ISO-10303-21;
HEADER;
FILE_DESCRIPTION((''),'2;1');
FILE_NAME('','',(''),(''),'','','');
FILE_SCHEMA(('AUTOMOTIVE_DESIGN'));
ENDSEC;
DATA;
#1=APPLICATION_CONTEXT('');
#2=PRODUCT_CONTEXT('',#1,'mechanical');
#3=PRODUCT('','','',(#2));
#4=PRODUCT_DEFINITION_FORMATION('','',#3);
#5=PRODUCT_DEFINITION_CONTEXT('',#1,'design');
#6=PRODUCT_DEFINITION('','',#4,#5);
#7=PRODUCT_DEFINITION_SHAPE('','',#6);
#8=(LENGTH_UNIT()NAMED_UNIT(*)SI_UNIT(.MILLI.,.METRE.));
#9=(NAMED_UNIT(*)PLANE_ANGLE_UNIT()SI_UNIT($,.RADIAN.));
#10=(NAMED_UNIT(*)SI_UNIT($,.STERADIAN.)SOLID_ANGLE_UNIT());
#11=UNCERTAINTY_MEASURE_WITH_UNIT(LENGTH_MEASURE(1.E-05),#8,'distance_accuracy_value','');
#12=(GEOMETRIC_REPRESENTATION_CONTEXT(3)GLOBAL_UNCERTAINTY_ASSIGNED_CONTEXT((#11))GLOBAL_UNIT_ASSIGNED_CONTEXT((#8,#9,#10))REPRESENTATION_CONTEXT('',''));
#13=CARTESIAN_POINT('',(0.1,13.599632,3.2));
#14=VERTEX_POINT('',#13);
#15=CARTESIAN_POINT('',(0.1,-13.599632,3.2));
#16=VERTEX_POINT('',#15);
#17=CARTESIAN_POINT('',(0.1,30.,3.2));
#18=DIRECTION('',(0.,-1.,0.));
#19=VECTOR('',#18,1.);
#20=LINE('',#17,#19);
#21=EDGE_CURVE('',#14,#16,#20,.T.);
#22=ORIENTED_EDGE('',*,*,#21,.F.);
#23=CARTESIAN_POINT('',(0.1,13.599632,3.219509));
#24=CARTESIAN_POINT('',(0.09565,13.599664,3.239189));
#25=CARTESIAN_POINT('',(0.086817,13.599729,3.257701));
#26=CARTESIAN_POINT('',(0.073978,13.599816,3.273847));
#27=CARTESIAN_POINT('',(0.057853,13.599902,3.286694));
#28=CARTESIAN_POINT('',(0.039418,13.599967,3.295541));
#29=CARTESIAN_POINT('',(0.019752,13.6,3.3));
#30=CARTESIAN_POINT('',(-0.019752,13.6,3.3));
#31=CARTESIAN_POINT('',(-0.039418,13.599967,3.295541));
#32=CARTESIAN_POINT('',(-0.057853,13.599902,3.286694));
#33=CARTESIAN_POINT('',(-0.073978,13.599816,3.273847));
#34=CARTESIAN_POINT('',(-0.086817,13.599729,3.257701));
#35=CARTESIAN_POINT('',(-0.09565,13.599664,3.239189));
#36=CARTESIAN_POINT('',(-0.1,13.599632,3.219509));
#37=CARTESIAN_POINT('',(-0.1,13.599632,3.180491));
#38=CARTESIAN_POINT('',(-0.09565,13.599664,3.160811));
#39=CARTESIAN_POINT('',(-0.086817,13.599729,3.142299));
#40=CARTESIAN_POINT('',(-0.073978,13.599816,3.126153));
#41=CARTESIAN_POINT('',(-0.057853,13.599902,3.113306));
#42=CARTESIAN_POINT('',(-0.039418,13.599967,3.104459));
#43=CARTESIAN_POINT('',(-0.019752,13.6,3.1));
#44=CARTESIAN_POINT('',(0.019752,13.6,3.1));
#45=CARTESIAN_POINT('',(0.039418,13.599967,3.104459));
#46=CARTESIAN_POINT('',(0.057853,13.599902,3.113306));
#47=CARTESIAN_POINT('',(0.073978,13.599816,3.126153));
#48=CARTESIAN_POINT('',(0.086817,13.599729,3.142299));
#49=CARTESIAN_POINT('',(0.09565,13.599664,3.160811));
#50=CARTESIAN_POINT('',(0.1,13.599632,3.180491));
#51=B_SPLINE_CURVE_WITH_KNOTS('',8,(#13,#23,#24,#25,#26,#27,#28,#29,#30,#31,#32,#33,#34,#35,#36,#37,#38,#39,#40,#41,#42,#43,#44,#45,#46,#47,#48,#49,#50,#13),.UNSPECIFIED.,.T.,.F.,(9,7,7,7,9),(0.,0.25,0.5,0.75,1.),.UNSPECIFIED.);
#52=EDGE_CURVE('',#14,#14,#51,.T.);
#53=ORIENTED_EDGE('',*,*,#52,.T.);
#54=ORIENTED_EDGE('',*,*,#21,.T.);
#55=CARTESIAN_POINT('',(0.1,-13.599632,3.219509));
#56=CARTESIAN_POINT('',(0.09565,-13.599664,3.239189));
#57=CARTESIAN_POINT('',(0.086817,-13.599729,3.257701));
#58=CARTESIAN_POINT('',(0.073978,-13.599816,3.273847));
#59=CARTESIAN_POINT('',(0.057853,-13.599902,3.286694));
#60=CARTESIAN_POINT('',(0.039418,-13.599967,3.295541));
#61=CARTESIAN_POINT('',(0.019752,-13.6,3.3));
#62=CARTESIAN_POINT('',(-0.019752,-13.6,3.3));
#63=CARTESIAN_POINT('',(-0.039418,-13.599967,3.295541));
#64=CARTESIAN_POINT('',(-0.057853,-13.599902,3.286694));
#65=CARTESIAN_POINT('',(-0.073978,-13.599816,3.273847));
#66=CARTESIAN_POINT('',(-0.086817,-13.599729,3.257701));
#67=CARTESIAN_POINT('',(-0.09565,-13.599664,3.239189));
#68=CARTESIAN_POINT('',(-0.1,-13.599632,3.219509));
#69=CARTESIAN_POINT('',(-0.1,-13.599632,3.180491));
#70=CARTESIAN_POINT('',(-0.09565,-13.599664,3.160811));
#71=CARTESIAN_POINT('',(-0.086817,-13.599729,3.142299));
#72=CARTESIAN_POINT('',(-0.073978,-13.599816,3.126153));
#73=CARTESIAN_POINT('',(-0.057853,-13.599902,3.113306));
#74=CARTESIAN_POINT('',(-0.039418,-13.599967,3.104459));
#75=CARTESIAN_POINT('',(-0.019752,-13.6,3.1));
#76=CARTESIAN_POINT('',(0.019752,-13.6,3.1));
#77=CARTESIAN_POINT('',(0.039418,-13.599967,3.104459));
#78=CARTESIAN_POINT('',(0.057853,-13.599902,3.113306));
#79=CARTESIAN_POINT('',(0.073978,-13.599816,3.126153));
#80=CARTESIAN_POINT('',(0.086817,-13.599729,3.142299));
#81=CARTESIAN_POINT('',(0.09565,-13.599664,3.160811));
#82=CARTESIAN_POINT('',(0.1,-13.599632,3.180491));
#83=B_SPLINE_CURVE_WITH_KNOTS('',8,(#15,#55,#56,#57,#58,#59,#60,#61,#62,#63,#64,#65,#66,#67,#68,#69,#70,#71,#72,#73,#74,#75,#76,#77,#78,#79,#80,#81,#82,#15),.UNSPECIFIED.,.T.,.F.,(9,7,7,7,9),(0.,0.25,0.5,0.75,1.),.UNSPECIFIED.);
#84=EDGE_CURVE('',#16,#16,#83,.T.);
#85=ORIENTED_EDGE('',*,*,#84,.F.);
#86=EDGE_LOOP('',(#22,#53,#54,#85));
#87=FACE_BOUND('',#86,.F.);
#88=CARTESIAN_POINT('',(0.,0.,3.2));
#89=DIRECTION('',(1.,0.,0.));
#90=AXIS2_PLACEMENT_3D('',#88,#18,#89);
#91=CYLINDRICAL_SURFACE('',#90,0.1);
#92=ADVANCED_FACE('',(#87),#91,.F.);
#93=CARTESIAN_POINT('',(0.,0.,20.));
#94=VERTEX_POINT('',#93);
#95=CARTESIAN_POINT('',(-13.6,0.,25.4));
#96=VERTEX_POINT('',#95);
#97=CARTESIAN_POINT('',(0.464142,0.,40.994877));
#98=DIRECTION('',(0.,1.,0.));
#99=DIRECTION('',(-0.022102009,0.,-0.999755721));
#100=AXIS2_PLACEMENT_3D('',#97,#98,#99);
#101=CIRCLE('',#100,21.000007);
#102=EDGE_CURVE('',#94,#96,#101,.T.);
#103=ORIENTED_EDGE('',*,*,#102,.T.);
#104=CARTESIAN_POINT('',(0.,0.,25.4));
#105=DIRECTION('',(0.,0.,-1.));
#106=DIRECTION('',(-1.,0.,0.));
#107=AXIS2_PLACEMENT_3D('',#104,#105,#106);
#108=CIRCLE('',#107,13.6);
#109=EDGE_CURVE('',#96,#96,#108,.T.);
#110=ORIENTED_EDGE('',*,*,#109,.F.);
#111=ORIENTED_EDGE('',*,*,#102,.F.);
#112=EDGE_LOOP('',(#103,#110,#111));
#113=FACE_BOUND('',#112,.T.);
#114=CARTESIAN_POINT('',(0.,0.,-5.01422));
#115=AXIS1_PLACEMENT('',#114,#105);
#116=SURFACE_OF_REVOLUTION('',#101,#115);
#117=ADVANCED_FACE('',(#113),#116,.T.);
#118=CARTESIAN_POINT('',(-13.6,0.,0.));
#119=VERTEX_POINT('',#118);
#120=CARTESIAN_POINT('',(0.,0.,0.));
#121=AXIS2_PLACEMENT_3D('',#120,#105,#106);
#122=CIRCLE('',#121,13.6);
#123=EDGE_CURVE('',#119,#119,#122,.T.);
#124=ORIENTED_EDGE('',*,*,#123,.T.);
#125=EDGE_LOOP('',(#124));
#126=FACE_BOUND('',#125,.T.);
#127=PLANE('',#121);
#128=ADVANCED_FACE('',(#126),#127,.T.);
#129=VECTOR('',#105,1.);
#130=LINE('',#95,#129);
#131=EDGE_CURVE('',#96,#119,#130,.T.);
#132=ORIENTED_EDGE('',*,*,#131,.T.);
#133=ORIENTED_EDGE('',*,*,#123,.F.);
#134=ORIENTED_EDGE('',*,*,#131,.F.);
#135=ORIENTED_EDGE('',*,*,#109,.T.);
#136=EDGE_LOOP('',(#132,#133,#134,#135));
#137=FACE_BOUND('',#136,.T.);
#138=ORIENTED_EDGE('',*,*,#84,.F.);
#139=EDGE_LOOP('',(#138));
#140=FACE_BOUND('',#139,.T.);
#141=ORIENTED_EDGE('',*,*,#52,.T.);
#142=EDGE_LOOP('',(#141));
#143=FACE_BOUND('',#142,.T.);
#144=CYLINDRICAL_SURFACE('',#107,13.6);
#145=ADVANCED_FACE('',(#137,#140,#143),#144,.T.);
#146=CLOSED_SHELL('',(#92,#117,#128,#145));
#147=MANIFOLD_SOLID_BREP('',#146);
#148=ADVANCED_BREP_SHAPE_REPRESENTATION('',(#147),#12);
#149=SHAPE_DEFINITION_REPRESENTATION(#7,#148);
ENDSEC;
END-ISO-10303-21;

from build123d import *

# Parameters (mm, degrees)
F3_R     = 0.1
F4_DEPTH = 30


with BuildPart() as f2:
    # F0 (on Front) → F2 (revolve)
    with BuildSketch(Plane.XZ):
        with BuildLine():
            Line((-13.6, 0), (0, 0))
            Line((0, 0), (0, 20))
            ThreePointArc((0, 20), (-7.285552, 21.477128), (-13.6, 25.4))
            Line((-13.6, 25.4), (-13.6, 0))
        make_face()
    revolve(axis=Axis((0, 0, -5.01422), (0, 0, -1)))

    # F3 (on Front) → F4 (cut, symmetric)
    with BuildSketch(Plane.XZ):
        with Locations((0, 3.2)):
            Circle(F3_R)
    extrude(amount=F4_DEPTH, both=True, mode=Mode.SUBTRACT)


solid = f2.part
